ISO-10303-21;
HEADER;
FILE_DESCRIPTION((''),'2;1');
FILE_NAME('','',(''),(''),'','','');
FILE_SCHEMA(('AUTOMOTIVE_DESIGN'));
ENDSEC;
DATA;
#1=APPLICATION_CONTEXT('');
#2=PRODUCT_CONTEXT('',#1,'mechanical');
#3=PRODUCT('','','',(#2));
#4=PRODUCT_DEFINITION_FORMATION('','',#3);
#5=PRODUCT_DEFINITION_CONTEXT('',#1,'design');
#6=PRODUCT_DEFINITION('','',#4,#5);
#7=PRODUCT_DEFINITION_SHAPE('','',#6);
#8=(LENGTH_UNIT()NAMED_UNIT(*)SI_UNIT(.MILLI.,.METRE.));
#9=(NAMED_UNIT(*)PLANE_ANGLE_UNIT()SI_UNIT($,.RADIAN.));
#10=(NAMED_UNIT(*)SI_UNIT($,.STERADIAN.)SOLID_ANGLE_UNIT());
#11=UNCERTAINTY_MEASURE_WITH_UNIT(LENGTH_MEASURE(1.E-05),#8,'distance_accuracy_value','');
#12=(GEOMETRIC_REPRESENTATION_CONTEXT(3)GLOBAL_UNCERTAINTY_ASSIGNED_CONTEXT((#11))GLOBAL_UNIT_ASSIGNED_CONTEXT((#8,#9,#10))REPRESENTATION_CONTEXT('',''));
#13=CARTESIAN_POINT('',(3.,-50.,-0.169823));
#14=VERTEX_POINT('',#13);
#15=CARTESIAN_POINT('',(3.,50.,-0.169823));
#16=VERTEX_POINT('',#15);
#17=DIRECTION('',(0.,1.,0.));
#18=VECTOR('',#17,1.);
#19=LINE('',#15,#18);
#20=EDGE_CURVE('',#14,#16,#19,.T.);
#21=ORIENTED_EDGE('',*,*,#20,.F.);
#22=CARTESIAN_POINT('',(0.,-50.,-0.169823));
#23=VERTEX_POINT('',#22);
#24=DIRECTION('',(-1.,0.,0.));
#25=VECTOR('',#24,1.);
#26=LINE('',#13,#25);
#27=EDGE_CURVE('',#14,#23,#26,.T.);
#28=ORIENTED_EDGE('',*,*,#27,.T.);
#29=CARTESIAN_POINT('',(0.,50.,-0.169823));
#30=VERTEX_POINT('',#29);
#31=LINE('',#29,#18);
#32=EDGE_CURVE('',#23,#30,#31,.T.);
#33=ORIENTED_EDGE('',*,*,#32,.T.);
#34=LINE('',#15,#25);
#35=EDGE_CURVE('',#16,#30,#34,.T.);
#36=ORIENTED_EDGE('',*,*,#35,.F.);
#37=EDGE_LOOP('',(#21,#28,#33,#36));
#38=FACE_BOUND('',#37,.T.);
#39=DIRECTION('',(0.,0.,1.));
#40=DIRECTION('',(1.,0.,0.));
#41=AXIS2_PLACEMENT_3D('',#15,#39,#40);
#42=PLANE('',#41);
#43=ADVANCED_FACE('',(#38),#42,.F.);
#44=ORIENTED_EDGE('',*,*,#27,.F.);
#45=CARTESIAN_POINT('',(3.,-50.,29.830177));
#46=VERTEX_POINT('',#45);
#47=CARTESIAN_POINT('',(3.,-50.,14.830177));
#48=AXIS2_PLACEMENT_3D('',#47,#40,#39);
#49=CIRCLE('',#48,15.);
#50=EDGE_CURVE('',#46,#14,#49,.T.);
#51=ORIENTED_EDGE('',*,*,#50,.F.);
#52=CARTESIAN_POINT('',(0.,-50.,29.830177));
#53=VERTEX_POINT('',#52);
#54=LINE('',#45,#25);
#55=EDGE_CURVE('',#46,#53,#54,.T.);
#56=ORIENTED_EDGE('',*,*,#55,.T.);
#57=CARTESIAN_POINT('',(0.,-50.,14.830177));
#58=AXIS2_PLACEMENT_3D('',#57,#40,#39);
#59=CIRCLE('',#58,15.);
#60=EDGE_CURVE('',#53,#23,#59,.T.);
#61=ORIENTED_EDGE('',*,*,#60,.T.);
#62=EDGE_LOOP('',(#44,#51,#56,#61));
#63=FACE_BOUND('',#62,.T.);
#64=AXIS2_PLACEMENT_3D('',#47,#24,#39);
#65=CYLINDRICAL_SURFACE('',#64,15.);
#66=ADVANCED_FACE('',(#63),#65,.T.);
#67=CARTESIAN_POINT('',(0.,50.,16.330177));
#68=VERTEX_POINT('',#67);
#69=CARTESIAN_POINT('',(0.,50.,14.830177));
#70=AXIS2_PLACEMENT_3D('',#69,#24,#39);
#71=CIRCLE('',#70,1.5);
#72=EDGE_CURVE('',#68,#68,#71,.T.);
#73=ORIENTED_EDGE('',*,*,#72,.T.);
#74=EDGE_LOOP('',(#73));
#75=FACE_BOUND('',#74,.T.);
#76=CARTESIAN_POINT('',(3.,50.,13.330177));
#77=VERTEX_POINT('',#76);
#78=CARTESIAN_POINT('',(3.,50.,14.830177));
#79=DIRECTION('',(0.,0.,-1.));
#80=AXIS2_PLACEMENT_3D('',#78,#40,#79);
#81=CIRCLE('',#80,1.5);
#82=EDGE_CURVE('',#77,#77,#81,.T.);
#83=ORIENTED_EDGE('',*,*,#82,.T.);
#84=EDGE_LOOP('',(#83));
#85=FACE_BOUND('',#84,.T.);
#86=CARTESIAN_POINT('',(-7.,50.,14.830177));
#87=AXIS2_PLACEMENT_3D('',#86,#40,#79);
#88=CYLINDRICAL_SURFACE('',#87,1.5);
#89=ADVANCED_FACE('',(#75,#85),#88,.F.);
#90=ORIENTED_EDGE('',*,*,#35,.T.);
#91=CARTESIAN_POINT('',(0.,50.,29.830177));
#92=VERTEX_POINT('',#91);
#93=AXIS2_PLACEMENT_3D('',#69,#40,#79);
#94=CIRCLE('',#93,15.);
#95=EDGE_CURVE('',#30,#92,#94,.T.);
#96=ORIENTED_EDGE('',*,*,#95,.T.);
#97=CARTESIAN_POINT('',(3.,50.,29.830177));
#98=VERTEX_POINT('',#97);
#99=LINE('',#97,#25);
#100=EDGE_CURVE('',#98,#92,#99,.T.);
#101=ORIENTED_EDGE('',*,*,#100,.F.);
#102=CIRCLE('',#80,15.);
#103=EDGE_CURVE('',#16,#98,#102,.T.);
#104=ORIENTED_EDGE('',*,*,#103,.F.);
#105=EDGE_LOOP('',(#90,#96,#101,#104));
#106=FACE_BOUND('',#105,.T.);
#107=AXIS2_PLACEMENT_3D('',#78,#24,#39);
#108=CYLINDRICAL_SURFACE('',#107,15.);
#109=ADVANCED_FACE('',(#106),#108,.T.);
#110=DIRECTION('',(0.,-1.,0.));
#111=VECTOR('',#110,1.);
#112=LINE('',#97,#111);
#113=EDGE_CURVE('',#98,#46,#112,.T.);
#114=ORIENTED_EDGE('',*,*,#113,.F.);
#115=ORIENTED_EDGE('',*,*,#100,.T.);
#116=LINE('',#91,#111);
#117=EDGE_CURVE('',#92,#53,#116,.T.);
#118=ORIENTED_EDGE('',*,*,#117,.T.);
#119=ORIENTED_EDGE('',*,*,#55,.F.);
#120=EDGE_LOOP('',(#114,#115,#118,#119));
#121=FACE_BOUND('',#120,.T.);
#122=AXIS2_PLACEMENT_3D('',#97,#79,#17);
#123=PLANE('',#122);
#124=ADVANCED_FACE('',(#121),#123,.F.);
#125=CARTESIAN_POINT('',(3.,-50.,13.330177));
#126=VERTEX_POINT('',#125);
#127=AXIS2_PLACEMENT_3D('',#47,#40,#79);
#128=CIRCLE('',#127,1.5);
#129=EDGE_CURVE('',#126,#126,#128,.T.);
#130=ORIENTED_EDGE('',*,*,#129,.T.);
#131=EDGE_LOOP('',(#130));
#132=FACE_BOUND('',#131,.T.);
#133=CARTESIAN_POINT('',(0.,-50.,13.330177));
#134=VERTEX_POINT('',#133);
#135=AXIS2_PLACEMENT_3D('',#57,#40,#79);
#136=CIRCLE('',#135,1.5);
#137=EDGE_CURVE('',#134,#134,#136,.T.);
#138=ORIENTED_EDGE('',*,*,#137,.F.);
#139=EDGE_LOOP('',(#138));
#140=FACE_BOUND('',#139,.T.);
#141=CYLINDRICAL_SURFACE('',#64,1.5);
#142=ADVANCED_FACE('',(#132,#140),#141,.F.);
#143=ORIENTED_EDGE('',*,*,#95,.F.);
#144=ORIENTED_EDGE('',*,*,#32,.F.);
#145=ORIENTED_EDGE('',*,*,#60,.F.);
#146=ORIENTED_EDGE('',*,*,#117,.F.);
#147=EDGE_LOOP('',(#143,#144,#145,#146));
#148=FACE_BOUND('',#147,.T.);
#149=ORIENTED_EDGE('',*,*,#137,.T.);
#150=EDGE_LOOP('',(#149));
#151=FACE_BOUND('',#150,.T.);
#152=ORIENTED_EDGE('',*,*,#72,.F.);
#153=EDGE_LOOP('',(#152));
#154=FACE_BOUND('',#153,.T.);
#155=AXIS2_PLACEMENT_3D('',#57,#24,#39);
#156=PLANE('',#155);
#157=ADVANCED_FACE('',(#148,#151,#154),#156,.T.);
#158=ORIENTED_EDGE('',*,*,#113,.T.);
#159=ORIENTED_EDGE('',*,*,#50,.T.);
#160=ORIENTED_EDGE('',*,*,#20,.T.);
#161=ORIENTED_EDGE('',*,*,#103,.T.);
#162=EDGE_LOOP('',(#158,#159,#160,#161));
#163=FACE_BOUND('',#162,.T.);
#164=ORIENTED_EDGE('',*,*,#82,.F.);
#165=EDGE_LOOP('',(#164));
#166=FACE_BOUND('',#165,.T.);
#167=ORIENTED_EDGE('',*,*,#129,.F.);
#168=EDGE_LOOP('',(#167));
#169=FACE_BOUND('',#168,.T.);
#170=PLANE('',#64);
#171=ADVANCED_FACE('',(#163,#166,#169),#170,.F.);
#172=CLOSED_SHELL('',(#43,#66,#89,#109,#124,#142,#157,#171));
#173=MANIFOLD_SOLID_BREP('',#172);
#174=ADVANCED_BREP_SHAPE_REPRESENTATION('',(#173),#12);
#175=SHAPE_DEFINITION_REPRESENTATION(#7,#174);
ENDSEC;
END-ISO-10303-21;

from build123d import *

# Parameters (mm, degrees)
SKETCH1_R           = 1.5
BOSS_EXTRUDE1_DEPTH = 3
SKETCH2_R           = 1.5
CUT_EXTRUDE1_DEPTH  = 10


with BuildPart() as part:
    # Sketch1 → Boss-Extrude1 (new body)
    with BuildSketch(Plane(origin=(0, 0, 0), x_dir=(0, 0, -1), z_dir=(1, 0, 0))):
        with BuildLine():
            Line((0.169822647, 50), (0.169822647, -50))
            ThreePointArc((0.169822647, -50), (-14.830177353, -65), (-29.830177353, -50))
            Line((-29.830177353, -50), (-29.830177353, 50))
            ThreePointArc((-29.830177353, 50), (-14.830177353, 65), (0.169822647, 50))
        make_face()
        with Locations((-14.830177353, -50)):
            Circle(SKETCH1_R, mode=Mode.SUBTRACT)
    extrude(amount=BOSS_EXTRUDE1_DEPTH)

    # Sketch2 → Cut-Extrude1 (cut)
    with BuildSketch(Plane(origin=(3, 0, 0), x_dir=(0, 0, -1), z_dir=(1, 0, 0))):
        with Locations((-14.830177353, 50)):
            Circle(SKETCH2_R)
    extrude(amount=-CUT_EXTRUDE1_DEPTH, mode=Mode.SUBTRACT)


solid = part.part
